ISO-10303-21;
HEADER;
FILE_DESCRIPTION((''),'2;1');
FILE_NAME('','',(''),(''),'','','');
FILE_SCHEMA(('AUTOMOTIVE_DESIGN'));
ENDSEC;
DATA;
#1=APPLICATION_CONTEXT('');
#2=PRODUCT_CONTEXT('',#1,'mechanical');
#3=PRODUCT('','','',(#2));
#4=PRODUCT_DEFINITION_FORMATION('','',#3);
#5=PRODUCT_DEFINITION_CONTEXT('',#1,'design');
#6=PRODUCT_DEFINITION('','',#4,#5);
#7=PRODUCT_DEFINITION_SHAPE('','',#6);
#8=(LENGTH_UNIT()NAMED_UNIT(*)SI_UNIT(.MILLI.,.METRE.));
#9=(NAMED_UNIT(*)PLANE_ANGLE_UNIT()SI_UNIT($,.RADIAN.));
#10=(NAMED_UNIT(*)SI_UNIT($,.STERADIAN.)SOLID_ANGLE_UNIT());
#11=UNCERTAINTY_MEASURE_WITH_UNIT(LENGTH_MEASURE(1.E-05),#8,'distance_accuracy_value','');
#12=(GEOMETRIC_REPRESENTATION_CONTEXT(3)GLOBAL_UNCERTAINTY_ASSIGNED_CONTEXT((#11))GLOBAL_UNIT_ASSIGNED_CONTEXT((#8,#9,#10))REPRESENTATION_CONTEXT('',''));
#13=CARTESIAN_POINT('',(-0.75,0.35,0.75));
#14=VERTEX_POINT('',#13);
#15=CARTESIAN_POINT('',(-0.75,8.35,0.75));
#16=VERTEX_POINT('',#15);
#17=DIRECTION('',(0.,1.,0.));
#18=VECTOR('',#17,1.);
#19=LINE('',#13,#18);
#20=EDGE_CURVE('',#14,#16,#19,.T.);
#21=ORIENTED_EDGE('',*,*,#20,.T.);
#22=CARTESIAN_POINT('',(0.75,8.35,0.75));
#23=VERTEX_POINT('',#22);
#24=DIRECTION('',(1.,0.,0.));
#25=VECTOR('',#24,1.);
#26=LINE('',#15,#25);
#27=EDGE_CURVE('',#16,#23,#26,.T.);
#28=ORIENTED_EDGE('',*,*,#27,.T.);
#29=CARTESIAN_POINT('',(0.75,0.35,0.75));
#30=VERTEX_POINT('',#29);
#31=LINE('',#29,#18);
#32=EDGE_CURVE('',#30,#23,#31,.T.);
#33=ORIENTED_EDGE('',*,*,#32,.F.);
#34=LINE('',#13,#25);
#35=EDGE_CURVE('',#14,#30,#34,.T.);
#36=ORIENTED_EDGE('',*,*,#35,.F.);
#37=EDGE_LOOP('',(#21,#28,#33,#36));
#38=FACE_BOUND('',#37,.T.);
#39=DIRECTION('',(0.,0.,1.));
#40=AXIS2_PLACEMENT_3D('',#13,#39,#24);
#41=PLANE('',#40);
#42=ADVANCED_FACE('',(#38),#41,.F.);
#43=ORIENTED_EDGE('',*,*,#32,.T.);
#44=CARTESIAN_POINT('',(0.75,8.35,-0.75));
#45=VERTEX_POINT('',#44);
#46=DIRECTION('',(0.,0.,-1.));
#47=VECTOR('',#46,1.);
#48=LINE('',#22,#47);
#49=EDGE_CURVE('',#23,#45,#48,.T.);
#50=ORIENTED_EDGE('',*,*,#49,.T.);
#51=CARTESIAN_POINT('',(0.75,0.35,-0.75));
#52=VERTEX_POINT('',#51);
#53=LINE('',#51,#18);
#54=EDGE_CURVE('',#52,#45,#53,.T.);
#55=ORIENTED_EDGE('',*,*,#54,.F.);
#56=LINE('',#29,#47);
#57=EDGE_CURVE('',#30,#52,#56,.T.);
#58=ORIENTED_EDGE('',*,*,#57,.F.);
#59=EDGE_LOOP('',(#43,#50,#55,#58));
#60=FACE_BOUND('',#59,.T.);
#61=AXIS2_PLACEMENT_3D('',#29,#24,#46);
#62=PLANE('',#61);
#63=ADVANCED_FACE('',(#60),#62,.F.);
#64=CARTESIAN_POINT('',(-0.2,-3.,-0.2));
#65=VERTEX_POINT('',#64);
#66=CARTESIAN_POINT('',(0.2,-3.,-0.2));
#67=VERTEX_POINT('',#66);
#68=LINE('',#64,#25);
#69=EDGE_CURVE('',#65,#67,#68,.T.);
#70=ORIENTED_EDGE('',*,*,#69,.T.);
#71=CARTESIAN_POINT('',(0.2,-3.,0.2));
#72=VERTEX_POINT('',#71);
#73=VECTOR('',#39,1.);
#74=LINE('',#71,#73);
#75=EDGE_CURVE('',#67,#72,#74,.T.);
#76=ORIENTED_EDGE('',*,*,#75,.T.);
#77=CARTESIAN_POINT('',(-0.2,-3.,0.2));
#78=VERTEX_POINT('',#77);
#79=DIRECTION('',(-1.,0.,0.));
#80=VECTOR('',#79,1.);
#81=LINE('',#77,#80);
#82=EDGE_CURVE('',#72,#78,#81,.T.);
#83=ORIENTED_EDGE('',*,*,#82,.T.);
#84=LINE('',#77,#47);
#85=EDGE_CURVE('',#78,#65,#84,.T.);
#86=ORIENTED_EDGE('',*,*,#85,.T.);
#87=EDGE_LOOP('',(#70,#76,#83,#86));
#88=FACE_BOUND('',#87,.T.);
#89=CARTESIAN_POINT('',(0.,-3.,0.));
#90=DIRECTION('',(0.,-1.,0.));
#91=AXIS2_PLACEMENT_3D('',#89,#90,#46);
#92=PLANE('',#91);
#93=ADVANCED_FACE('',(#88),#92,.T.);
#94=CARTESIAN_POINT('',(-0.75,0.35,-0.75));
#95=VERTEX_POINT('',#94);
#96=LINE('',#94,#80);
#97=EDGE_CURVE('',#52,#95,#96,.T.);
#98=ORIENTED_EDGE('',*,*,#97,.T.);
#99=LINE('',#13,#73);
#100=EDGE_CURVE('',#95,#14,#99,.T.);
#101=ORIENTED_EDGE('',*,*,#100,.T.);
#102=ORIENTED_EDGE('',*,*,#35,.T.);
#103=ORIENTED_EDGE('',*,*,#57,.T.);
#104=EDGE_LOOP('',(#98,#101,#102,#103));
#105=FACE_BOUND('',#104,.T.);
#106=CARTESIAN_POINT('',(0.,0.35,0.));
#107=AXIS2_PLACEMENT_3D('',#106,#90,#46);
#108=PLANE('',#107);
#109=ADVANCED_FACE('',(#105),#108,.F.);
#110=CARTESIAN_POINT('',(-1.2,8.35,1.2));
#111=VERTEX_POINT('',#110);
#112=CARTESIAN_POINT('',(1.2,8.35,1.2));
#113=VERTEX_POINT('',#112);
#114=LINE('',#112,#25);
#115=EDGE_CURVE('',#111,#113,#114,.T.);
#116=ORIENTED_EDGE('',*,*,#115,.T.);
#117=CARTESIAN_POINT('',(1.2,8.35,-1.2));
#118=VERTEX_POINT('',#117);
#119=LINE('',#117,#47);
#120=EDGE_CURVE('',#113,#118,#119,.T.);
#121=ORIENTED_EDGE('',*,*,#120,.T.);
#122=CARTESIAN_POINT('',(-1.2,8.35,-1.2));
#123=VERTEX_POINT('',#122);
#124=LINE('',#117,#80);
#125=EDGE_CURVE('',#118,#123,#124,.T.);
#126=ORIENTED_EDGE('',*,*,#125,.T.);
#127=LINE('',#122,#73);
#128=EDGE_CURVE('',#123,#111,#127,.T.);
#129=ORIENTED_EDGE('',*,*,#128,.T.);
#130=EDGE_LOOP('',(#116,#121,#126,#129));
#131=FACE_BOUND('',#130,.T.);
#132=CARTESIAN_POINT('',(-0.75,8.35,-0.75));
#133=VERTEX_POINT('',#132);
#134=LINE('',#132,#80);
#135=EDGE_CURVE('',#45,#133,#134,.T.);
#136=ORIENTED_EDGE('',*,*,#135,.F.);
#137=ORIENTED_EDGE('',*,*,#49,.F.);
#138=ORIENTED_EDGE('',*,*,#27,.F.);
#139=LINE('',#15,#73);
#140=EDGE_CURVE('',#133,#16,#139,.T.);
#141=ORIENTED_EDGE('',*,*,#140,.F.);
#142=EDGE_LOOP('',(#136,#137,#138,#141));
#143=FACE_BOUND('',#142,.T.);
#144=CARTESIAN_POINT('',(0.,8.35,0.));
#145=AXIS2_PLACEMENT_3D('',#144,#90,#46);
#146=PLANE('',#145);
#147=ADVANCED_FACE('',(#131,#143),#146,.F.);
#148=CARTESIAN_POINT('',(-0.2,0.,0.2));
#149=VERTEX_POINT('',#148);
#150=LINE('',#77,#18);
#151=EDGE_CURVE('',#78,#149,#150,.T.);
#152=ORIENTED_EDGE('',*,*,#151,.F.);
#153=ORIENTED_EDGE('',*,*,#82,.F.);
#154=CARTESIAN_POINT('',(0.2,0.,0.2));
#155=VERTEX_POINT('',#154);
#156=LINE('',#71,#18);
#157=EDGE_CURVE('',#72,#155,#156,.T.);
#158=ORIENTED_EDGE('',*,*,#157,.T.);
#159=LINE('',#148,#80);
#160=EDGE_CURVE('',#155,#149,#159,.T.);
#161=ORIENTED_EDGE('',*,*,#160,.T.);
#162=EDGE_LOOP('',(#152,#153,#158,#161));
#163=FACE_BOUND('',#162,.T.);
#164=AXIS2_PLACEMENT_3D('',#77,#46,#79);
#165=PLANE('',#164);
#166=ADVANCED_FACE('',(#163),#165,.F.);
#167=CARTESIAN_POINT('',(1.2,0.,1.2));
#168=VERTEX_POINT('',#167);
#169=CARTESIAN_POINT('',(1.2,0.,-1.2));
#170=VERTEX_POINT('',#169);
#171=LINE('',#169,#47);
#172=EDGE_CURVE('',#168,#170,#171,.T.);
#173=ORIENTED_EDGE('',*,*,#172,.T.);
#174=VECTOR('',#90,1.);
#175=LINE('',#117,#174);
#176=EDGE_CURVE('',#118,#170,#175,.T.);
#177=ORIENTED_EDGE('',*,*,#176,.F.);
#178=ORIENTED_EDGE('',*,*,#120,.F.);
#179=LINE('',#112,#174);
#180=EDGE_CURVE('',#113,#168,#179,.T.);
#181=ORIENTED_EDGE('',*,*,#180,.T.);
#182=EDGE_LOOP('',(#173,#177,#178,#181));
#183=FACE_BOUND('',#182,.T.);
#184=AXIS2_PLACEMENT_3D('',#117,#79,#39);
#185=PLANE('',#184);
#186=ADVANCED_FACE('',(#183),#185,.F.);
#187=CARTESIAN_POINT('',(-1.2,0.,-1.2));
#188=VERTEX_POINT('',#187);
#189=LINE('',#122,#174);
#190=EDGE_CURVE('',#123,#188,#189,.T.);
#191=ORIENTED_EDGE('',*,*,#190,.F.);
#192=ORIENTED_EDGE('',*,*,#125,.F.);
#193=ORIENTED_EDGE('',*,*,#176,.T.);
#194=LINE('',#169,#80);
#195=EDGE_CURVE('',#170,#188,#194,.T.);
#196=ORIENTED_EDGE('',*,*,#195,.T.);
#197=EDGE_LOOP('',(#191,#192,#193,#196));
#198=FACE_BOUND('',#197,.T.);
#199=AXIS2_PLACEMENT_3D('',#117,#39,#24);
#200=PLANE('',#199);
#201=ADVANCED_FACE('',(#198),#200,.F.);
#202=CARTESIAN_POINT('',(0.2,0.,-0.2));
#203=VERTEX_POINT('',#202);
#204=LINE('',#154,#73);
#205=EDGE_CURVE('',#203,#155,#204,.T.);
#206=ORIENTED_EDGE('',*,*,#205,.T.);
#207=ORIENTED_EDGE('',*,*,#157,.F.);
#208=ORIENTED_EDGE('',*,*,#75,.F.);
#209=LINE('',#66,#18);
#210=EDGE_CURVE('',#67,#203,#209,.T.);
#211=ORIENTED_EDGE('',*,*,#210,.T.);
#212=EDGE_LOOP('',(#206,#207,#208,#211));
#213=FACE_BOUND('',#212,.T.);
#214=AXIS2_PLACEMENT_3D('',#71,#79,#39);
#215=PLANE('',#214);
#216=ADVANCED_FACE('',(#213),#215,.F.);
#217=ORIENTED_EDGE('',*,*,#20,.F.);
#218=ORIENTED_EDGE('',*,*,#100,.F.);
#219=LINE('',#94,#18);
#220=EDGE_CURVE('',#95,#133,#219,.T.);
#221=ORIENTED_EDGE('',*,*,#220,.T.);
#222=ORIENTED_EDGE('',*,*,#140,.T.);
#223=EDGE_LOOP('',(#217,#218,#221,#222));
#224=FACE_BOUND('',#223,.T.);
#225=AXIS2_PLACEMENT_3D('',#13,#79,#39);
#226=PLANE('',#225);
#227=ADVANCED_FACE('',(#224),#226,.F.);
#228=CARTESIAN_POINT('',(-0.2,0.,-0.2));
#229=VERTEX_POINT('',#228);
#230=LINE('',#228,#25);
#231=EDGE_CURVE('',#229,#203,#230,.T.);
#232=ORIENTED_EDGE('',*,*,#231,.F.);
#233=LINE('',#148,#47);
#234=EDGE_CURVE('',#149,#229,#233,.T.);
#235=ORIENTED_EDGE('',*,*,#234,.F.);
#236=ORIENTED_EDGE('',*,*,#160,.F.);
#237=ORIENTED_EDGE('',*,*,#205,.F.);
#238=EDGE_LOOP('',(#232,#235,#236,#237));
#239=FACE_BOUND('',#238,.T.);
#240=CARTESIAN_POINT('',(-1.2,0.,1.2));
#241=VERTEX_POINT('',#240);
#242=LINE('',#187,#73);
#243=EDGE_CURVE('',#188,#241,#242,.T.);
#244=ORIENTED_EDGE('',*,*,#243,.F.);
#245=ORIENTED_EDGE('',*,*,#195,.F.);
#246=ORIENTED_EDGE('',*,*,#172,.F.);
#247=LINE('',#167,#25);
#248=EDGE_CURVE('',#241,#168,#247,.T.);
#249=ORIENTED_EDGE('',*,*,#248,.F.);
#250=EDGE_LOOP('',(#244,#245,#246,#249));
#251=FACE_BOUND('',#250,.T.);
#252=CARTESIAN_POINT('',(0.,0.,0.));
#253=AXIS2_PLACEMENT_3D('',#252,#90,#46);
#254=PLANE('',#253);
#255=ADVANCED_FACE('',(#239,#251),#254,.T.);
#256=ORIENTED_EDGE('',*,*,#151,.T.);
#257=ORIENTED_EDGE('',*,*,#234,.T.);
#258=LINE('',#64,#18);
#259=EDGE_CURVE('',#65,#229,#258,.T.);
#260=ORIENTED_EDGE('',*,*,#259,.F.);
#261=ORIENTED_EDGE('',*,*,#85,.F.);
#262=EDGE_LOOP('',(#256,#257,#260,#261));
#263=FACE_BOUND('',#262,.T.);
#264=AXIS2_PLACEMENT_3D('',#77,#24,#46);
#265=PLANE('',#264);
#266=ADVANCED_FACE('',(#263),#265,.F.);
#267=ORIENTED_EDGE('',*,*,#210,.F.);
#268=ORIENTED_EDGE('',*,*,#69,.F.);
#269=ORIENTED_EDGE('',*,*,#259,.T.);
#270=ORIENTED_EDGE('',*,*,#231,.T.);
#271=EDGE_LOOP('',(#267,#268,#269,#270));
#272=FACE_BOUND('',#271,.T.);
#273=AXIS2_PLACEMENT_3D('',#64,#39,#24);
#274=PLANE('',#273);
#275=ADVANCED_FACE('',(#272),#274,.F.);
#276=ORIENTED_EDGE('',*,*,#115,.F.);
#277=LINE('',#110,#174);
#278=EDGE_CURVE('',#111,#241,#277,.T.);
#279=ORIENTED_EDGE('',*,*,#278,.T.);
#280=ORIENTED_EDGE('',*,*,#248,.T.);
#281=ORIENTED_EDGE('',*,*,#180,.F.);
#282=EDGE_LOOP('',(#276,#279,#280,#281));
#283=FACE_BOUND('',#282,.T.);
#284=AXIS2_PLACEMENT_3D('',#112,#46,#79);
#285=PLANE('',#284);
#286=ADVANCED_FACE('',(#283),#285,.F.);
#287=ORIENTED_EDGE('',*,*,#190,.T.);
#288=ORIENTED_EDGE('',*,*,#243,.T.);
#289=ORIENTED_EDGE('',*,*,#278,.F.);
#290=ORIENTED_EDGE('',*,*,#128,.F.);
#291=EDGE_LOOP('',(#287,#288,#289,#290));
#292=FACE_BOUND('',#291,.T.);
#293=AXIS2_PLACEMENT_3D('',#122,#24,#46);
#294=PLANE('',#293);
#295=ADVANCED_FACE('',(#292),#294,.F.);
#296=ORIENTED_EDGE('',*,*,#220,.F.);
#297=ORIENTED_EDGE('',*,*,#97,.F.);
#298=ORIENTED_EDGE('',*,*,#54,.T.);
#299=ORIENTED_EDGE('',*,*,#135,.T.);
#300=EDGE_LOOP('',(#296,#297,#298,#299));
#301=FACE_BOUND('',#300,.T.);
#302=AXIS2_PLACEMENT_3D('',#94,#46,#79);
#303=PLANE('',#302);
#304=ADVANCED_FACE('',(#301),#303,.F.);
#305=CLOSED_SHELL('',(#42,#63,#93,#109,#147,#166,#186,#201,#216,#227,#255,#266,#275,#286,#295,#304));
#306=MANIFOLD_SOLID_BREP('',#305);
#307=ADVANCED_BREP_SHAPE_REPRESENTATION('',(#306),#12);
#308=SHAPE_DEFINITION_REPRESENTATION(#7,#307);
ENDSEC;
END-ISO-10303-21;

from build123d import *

# Parameters (mm, degrees)
SKETCH1_W           = 2.4
SKETCH1_H           = 2.4
BOSS_EXTRUDE1_DEPTH = 8.35
SKETCH2_W           = 1.5
SKETCH2_H           = 1.5
CUT_EXTRUDE1_DEPTH  = 8
SKETCH3_W           = 0.4
SKETCH3_H           = 0.4
BOSS_EXTRUDE2_DEPTH = 3


with BuildPart() as part:
    # Sketch1 → Boss-Extrude1 (new body)
    with BuildSketch(Plane(origin=(0, 0, 0), x_dir=(1, 0, 0), z_dir=(0, 1, 0))):
        Rectangle(SKETCH1_W, SKETCH1_H)
    extrude(amount=BOSS_EXTRUDE1_DEPTH)

    # Sketch2 → Cut-Extrude1 (cut)
    with BuildSketch(Plane(origin=(0, 8.35, 0), x_dir=(1, 0, 0), z_dir=(0, 1, 0))):
        Rectangle(SKETCH2_W, SKETCH2_H)
    extrude(amount=-CUT_EXTRUDE1_DEPTH, mode=Mode.SUBTRACT)

    # Sketch3 → Boss-Extrude2 (add)
    with BuildSketch(Plane.XZ):
        Rectangle(SKETCH3_W, SKETCH3_H)
    extrude(amount=BOSS_EXTRUDE2_DEPTH)


solid = part.part
